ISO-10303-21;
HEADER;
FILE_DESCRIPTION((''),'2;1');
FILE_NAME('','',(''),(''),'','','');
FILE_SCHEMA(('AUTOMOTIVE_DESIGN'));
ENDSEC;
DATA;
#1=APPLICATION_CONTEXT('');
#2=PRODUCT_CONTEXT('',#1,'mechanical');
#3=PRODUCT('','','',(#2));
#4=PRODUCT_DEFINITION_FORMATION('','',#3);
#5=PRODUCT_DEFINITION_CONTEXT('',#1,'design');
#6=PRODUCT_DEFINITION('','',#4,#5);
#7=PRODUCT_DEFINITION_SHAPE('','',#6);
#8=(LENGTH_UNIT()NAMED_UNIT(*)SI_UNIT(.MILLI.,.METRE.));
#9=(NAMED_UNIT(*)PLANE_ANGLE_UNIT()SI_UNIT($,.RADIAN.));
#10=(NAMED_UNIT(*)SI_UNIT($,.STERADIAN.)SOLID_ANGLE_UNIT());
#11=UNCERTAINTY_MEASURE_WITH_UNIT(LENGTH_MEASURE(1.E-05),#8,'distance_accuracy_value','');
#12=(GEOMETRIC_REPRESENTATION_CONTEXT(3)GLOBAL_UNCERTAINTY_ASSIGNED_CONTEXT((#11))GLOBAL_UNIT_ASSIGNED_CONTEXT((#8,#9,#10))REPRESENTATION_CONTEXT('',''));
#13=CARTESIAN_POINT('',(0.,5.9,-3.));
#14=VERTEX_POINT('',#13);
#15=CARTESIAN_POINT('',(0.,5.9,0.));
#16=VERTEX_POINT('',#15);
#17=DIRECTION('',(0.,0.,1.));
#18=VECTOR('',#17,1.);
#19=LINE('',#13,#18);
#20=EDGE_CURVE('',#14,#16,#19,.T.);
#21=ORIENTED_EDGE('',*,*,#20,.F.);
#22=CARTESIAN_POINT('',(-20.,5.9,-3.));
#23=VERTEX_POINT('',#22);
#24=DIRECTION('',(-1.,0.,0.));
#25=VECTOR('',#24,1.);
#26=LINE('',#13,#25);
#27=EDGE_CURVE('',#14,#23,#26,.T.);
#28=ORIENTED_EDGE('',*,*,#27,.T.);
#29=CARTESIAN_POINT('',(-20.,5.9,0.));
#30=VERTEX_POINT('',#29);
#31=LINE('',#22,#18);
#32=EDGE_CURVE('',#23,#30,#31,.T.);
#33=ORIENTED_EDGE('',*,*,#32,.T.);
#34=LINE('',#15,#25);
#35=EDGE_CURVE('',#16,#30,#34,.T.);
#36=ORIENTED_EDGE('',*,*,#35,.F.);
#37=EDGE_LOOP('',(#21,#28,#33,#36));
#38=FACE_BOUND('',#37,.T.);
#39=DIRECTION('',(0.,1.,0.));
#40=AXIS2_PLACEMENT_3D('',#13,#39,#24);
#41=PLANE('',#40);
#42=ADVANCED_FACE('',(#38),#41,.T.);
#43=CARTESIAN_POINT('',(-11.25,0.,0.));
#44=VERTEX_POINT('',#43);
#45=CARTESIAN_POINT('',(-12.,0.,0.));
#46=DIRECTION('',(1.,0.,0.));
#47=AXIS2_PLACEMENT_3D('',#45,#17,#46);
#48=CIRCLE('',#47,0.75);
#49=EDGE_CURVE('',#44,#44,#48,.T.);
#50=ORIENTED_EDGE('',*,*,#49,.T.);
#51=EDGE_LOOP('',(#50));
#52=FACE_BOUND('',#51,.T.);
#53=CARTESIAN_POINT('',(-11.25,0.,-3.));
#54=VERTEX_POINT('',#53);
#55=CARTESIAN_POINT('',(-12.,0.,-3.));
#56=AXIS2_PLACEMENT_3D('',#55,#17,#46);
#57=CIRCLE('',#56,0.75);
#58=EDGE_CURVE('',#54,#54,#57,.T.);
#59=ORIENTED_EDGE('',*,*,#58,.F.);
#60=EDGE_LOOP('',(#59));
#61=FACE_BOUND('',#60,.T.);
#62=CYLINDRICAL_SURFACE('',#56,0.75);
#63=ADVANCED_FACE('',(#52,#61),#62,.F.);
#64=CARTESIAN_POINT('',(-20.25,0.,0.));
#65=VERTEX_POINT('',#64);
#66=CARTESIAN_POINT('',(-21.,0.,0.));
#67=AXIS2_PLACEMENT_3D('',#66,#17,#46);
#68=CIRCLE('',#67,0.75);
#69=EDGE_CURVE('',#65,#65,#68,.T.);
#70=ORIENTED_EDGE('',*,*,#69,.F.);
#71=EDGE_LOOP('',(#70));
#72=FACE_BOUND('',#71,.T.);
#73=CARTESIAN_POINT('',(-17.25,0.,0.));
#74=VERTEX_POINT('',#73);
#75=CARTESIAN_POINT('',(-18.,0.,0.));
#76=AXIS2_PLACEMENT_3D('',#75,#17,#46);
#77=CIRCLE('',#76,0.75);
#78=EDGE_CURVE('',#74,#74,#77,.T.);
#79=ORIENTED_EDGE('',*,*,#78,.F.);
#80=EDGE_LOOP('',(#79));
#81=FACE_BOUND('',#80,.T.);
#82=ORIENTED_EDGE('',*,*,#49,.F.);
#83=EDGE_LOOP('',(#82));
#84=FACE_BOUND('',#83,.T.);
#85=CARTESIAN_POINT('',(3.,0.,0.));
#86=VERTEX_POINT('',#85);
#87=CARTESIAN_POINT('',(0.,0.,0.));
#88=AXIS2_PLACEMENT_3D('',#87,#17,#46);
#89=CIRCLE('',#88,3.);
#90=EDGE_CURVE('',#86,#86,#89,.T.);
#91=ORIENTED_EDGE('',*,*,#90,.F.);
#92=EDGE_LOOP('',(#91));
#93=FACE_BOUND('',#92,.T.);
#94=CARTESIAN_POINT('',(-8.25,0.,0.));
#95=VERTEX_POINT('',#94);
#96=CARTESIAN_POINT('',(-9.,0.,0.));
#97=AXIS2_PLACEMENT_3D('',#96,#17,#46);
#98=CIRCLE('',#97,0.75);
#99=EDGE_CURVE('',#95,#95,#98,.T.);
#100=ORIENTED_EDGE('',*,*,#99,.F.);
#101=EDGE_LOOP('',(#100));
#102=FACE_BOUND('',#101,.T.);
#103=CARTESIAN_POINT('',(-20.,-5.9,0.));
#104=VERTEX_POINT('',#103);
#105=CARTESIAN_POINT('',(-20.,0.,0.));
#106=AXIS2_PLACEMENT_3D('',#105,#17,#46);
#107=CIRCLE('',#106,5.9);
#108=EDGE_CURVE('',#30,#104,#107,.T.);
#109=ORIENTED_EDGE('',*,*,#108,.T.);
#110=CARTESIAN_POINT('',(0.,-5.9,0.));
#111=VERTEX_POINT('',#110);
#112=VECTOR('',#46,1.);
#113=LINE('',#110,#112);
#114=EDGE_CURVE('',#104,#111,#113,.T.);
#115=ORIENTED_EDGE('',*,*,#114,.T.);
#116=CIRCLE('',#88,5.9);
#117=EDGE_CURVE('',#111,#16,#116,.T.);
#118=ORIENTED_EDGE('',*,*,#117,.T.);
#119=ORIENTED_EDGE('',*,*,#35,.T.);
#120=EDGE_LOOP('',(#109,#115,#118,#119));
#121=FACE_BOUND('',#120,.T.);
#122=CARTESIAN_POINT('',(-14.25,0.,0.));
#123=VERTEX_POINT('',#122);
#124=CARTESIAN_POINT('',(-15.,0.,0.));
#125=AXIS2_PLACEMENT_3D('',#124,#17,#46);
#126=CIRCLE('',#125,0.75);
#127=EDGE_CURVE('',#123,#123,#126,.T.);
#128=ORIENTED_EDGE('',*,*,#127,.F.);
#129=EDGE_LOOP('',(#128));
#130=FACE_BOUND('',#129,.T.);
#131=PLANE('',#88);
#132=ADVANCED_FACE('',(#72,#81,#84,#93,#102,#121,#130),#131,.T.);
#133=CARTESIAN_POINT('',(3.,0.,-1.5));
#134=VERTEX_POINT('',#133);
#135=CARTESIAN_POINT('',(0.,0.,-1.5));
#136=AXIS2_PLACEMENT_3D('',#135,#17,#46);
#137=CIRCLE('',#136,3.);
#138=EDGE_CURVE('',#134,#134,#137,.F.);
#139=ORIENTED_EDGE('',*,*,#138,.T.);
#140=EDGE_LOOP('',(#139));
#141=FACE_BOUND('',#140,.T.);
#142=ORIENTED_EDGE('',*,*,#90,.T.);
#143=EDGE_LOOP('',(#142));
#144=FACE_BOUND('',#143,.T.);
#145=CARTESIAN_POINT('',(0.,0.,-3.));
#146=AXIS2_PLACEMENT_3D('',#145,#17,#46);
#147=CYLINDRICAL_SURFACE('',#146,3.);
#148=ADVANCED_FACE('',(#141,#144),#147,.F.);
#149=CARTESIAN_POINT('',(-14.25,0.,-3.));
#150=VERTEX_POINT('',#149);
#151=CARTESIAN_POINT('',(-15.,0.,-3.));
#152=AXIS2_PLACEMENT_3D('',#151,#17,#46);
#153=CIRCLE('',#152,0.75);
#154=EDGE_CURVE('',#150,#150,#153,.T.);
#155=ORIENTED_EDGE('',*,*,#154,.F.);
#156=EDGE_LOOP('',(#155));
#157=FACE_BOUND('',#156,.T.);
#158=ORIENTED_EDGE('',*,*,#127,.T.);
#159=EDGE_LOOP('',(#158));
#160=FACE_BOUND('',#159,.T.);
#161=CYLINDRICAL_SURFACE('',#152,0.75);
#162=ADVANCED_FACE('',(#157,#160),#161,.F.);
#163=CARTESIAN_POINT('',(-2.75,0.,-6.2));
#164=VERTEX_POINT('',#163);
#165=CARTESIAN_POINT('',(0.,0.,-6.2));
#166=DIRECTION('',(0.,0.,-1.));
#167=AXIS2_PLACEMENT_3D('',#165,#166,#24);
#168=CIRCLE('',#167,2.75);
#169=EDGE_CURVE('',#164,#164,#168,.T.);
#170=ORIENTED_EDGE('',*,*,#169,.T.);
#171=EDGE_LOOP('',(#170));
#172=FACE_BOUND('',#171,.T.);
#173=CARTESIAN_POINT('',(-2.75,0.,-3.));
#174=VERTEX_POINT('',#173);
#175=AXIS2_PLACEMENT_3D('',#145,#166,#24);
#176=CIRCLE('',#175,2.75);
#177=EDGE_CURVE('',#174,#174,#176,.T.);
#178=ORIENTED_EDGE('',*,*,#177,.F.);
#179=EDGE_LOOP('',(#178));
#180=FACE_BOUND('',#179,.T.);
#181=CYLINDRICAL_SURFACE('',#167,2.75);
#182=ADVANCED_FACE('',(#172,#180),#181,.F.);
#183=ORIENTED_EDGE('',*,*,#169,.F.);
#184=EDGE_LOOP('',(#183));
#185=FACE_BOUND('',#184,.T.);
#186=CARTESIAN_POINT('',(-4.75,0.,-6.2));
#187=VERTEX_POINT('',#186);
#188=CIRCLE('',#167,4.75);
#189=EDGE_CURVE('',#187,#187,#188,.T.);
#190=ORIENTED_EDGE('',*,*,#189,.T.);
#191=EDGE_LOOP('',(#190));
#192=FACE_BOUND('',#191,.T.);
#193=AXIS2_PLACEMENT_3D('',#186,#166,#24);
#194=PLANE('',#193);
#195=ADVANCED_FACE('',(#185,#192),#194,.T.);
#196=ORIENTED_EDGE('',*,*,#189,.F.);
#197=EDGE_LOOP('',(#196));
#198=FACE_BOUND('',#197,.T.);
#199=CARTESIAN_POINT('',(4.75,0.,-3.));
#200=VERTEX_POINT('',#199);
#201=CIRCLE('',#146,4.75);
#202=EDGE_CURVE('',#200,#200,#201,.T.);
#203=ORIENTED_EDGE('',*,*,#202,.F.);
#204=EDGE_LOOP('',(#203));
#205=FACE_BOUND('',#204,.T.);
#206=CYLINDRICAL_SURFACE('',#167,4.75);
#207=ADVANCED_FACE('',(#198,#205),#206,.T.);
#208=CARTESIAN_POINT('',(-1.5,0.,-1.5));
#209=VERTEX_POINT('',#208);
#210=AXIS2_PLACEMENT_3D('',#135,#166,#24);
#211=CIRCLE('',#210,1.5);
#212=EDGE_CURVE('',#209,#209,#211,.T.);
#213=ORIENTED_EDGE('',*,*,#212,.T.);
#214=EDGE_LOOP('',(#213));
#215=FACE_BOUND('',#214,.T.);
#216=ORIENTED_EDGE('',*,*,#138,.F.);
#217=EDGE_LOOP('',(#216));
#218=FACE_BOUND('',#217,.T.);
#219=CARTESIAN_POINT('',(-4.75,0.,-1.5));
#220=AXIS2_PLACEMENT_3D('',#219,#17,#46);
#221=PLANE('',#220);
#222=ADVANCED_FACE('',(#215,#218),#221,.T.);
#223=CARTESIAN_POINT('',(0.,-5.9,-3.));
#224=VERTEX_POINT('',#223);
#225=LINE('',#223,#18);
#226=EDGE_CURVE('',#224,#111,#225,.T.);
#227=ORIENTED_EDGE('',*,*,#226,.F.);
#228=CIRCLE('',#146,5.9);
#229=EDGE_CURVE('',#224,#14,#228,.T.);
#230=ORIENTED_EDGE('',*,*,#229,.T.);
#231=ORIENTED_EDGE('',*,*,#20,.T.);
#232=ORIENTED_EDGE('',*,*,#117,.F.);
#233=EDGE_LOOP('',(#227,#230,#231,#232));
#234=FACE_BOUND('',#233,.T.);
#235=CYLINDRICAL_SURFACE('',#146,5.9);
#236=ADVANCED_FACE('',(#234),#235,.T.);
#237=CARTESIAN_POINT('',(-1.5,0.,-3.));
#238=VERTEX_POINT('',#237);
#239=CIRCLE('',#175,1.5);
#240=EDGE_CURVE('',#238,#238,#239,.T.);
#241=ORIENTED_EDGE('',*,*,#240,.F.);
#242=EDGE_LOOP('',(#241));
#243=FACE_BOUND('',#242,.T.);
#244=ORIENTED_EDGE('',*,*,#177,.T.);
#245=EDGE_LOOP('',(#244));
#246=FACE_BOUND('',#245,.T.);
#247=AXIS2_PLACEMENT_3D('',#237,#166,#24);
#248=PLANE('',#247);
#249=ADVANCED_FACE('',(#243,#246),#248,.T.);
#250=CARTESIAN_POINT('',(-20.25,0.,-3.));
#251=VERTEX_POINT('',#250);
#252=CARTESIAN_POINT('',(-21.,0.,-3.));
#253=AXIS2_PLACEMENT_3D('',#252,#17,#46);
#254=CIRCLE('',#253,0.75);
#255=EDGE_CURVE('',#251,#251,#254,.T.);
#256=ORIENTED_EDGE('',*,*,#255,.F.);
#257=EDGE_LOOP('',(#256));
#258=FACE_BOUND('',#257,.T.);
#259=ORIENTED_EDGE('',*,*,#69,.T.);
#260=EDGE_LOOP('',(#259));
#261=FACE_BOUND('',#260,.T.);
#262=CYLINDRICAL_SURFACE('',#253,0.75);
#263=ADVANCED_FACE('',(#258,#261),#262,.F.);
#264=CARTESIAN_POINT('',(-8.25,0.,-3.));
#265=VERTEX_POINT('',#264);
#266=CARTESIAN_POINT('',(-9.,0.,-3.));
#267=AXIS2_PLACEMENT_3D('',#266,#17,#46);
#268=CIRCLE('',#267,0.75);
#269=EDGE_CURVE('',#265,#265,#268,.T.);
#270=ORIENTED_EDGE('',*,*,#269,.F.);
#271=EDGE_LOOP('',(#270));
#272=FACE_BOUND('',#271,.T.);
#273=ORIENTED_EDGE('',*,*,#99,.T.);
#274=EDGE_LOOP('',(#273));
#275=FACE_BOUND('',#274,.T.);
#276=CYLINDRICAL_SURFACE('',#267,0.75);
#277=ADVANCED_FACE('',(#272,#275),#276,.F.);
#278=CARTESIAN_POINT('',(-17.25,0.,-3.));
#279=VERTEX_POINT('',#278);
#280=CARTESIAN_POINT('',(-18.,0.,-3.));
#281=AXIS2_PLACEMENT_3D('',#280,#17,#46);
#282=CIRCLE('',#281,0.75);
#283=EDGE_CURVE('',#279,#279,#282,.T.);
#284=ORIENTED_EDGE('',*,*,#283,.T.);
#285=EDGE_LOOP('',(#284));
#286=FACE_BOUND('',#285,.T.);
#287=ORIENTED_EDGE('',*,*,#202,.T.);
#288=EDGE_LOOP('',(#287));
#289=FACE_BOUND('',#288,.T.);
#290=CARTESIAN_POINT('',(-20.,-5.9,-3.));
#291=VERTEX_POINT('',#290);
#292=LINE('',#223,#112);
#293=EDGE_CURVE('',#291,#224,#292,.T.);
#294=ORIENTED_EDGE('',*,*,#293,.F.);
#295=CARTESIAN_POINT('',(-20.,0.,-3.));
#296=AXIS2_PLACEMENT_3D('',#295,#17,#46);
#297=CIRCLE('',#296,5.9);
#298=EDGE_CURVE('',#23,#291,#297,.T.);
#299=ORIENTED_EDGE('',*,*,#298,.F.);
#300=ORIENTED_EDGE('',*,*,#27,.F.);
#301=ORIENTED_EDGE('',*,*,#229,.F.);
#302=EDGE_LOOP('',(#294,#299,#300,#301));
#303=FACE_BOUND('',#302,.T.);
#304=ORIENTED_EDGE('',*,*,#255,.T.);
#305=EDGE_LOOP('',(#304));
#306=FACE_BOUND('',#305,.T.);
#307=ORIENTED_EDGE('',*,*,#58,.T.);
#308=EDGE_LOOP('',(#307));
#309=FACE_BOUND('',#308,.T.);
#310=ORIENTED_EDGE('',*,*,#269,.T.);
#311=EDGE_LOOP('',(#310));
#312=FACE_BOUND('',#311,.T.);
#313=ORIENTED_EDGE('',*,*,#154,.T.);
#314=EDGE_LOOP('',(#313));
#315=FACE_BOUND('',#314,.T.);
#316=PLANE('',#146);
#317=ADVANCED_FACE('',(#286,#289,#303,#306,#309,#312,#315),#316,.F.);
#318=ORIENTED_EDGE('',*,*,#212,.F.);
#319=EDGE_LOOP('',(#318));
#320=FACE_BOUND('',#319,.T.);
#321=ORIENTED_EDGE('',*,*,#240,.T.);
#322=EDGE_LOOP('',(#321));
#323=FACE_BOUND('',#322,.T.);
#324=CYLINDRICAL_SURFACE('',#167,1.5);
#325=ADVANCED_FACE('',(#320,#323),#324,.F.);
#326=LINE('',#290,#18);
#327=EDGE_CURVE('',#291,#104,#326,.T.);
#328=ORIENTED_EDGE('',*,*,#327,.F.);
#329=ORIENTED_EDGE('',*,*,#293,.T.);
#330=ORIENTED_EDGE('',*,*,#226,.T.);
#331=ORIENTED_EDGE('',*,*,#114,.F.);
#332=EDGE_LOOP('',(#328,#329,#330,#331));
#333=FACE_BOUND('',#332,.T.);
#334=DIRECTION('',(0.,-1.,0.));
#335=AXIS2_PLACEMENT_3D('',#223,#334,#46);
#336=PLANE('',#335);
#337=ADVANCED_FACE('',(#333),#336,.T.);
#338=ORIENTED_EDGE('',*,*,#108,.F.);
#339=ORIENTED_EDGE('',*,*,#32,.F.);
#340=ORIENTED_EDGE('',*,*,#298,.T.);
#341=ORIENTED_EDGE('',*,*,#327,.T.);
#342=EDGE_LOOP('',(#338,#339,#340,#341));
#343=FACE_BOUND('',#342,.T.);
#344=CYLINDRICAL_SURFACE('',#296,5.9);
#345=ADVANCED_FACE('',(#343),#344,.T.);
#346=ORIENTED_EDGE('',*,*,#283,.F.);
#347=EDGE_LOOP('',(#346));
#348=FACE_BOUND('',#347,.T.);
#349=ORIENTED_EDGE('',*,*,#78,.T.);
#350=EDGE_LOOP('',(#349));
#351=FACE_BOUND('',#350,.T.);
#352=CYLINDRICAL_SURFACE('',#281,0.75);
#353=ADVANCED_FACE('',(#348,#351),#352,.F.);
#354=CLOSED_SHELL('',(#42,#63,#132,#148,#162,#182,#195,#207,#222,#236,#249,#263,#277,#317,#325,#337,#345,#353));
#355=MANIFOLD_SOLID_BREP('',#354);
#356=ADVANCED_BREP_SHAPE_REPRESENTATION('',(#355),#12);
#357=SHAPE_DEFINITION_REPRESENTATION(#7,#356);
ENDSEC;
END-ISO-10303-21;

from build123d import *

# Parameters (mm, degrees)
ESQUISSE1_R        = 3
ESQUISSE1_R_2      = 0.75
BOSS_EXTRU_1_DEPTH = 3


with BuildPart() as part:
    # Esquisse1 → Boss.-Extru.1 (new body)
    with BuildSketch(Plane.XY):
        with BuildLine():
            Line((0, -5.9), (-20, -5.9))
            ThreePointArc((-20, -5.9), (-25.9, 0), (-20, 5.9))
            Line((-20, 5.9), (0, 5.9))
            ThreePointArc((0, 5.9), (5.9, 0), (0, -5.9))
        make_face()
        Circle(ESQUISSE1_R, mode=Mode.SUBTRACT)
        with Locations((-21, 0)):
            Circle(ESQUISSE1_R_2, mode=Mode.SUBTRACT)
        with Locations((-18, 0)):
            Circle(ESQUISSE1_R_2, mode=Mode.SUBTRACT)
        with Locations((-15, 0)):
            Circle(ESQUISSE1_R_2, mode=Mode.SUBTRACT)
        with Locations((-12, 0)):
            Circle(ESQUISSE1_R_2, mode=Mode.SUBTRACT)
        with Locations((-9, 0)):
            Circle(ESQUISSE1_R_2, mode=Mode.SUBTRACT)
    extrude(amount=-BOSS_EXTRU_1_DEPTH)

    # Esquisse2 → Révolution1 (revolve)
    with BuildSketch(Plane(origin=(0, 0, 0), x_dir=(1, 0, 0), z_dir=(0, 1, 0))):
        Polygon((-4.75, 6.2), (-2.75, 6.2), (-2.75, 3), (-1.5, 3), (-1.5, 1.5), (-4.75, 1.5), align=None)
    revolve(axis=Axis((0, 0, -6.2), (0, 0, 1)))


solid = part.part
